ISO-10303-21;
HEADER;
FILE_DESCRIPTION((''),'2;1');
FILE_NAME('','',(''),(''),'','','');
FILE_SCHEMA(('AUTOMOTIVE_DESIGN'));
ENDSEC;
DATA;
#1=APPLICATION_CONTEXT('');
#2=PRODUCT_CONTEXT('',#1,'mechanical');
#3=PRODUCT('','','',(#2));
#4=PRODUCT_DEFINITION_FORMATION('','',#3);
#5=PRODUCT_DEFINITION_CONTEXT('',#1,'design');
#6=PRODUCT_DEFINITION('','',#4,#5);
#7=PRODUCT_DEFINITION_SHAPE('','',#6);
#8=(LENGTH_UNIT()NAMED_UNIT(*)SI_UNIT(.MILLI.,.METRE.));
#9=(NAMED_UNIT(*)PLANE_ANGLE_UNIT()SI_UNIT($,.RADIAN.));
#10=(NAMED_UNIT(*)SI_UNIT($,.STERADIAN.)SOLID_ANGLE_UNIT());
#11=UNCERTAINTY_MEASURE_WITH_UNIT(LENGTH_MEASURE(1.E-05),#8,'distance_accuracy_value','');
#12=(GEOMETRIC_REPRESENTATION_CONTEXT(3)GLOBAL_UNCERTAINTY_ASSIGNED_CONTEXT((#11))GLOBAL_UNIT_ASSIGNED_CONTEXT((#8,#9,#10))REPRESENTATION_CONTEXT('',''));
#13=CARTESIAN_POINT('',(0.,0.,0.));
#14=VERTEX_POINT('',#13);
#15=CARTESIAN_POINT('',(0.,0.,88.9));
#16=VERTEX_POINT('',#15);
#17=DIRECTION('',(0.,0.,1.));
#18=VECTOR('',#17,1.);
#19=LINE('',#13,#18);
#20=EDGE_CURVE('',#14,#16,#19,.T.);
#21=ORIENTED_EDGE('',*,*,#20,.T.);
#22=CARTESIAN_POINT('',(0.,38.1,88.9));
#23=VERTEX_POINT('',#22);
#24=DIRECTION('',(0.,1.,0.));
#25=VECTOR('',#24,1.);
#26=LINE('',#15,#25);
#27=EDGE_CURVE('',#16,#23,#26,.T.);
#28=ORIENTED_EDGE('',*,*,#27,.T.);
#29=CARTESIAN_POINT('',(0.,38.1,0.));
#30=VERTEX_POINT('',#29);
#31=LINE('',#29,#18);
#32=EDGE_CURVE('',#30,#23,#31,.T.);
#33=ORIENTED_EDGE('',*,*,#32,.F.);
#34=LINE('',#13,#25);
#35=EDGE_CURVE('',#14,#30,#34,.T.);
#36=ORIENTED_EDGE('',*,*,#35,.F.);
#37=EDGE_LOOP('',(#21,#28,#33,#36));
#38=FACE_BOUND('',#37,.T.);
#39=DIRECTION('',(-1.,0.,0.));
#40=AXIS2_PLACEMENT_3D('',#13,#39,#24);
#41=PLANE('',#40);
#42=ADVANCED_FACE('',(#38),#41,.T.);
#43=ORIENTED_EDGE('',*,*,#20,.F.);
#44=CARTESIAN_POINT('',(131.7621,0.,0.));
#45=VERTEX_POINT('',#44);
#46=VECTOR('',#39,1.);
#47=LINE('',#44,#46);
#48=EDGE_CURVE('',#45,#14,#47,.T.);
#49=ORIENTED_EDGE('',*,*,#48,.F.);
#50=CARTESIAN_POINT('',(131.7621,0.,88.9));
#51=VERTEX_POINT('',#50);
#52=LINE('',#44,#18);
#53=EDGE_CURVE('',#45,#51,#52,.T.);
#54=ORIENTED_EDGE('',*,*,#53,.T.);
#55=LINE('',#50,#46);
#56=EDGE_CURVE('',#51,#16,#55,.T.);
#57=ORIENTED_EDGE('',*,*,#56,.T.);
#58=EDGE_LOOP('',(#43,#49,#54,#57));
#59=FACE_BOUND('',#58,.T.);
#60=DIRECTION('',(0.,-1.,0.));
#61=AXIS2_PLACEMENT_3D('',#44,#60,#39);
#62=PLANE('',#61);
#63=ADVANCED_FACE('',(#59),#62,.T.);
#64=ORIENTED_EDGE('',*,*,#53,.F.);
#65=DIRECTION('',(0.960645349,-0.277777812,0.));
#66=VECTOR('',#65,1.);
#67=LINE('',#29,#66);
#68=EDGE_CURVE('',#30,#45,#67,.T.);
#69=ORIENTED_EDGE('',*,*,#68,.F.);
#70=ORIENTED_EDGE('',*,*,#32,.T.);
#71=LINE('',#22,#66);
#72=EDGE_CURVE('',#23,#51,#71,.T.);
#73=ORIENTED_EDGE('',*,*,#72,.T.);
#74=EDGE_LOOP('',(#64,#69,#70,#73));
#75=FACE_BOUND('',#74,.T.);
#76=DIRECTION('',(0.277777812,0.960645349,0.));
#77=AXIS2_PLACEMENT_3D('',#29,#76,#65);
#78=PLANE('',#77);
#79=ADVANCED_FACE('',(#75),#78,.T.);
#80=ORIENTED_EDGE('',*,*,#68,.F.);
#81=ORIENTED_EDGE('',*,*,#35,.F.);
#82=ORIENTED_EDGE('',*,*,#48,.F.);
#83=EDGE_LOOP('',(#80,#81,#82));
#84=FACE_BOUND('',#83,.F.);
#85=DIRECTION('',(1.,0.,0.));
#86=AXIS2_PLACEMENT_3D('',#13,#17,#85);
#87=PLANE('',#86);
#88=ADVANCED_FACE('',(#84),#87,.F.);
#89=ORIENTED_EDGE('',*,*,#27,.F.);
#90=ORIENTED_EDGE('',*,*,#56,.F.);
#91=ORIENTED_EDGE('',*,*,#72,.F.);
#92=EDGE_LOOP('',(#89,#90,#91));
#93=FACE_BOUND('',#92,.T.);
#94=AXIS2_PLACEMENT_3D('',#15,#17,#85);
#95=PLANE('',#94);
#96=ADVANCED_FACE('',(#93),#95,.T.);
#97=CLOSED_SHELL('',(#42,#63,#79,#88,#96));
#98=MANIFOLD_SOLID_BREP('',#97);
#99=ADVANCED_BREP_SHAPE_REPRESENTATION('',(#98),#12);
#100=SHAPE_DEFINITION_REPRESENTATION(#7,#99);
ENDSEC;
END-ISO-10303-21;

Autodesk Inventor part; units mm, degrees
ref_plane "YZ Plane" through (0, 0, 0) normal (1, 0, 0) x (0, 1, 0)
ref_plane "XZ Plane" through (0, 0, 0) normal (0, 1, 0) x (-1, 0, 0)
ref_plane "XY Plane" through (0, 0, 0) normal (0, 0, 1) x (1, 0, 0)
sketch "Sketch1" plane through (0, 0, 0) normal (0, 0, 1) x (1, 0, 0)
  line L0 (0, 0) -> (0, 38.1)
  line L1 (0, 38.1) -> (131.7621, 0)
  line L2 (131.7621, 0) -> (0, 0)
  dimension "d0" = 38.1
  dimension "width" = 137.16
  dimension "d2" = 131.7621
extrude "Extrusion1" add sketch "Sketch1" along normal blind 88.9
properties part number "Wedge"
